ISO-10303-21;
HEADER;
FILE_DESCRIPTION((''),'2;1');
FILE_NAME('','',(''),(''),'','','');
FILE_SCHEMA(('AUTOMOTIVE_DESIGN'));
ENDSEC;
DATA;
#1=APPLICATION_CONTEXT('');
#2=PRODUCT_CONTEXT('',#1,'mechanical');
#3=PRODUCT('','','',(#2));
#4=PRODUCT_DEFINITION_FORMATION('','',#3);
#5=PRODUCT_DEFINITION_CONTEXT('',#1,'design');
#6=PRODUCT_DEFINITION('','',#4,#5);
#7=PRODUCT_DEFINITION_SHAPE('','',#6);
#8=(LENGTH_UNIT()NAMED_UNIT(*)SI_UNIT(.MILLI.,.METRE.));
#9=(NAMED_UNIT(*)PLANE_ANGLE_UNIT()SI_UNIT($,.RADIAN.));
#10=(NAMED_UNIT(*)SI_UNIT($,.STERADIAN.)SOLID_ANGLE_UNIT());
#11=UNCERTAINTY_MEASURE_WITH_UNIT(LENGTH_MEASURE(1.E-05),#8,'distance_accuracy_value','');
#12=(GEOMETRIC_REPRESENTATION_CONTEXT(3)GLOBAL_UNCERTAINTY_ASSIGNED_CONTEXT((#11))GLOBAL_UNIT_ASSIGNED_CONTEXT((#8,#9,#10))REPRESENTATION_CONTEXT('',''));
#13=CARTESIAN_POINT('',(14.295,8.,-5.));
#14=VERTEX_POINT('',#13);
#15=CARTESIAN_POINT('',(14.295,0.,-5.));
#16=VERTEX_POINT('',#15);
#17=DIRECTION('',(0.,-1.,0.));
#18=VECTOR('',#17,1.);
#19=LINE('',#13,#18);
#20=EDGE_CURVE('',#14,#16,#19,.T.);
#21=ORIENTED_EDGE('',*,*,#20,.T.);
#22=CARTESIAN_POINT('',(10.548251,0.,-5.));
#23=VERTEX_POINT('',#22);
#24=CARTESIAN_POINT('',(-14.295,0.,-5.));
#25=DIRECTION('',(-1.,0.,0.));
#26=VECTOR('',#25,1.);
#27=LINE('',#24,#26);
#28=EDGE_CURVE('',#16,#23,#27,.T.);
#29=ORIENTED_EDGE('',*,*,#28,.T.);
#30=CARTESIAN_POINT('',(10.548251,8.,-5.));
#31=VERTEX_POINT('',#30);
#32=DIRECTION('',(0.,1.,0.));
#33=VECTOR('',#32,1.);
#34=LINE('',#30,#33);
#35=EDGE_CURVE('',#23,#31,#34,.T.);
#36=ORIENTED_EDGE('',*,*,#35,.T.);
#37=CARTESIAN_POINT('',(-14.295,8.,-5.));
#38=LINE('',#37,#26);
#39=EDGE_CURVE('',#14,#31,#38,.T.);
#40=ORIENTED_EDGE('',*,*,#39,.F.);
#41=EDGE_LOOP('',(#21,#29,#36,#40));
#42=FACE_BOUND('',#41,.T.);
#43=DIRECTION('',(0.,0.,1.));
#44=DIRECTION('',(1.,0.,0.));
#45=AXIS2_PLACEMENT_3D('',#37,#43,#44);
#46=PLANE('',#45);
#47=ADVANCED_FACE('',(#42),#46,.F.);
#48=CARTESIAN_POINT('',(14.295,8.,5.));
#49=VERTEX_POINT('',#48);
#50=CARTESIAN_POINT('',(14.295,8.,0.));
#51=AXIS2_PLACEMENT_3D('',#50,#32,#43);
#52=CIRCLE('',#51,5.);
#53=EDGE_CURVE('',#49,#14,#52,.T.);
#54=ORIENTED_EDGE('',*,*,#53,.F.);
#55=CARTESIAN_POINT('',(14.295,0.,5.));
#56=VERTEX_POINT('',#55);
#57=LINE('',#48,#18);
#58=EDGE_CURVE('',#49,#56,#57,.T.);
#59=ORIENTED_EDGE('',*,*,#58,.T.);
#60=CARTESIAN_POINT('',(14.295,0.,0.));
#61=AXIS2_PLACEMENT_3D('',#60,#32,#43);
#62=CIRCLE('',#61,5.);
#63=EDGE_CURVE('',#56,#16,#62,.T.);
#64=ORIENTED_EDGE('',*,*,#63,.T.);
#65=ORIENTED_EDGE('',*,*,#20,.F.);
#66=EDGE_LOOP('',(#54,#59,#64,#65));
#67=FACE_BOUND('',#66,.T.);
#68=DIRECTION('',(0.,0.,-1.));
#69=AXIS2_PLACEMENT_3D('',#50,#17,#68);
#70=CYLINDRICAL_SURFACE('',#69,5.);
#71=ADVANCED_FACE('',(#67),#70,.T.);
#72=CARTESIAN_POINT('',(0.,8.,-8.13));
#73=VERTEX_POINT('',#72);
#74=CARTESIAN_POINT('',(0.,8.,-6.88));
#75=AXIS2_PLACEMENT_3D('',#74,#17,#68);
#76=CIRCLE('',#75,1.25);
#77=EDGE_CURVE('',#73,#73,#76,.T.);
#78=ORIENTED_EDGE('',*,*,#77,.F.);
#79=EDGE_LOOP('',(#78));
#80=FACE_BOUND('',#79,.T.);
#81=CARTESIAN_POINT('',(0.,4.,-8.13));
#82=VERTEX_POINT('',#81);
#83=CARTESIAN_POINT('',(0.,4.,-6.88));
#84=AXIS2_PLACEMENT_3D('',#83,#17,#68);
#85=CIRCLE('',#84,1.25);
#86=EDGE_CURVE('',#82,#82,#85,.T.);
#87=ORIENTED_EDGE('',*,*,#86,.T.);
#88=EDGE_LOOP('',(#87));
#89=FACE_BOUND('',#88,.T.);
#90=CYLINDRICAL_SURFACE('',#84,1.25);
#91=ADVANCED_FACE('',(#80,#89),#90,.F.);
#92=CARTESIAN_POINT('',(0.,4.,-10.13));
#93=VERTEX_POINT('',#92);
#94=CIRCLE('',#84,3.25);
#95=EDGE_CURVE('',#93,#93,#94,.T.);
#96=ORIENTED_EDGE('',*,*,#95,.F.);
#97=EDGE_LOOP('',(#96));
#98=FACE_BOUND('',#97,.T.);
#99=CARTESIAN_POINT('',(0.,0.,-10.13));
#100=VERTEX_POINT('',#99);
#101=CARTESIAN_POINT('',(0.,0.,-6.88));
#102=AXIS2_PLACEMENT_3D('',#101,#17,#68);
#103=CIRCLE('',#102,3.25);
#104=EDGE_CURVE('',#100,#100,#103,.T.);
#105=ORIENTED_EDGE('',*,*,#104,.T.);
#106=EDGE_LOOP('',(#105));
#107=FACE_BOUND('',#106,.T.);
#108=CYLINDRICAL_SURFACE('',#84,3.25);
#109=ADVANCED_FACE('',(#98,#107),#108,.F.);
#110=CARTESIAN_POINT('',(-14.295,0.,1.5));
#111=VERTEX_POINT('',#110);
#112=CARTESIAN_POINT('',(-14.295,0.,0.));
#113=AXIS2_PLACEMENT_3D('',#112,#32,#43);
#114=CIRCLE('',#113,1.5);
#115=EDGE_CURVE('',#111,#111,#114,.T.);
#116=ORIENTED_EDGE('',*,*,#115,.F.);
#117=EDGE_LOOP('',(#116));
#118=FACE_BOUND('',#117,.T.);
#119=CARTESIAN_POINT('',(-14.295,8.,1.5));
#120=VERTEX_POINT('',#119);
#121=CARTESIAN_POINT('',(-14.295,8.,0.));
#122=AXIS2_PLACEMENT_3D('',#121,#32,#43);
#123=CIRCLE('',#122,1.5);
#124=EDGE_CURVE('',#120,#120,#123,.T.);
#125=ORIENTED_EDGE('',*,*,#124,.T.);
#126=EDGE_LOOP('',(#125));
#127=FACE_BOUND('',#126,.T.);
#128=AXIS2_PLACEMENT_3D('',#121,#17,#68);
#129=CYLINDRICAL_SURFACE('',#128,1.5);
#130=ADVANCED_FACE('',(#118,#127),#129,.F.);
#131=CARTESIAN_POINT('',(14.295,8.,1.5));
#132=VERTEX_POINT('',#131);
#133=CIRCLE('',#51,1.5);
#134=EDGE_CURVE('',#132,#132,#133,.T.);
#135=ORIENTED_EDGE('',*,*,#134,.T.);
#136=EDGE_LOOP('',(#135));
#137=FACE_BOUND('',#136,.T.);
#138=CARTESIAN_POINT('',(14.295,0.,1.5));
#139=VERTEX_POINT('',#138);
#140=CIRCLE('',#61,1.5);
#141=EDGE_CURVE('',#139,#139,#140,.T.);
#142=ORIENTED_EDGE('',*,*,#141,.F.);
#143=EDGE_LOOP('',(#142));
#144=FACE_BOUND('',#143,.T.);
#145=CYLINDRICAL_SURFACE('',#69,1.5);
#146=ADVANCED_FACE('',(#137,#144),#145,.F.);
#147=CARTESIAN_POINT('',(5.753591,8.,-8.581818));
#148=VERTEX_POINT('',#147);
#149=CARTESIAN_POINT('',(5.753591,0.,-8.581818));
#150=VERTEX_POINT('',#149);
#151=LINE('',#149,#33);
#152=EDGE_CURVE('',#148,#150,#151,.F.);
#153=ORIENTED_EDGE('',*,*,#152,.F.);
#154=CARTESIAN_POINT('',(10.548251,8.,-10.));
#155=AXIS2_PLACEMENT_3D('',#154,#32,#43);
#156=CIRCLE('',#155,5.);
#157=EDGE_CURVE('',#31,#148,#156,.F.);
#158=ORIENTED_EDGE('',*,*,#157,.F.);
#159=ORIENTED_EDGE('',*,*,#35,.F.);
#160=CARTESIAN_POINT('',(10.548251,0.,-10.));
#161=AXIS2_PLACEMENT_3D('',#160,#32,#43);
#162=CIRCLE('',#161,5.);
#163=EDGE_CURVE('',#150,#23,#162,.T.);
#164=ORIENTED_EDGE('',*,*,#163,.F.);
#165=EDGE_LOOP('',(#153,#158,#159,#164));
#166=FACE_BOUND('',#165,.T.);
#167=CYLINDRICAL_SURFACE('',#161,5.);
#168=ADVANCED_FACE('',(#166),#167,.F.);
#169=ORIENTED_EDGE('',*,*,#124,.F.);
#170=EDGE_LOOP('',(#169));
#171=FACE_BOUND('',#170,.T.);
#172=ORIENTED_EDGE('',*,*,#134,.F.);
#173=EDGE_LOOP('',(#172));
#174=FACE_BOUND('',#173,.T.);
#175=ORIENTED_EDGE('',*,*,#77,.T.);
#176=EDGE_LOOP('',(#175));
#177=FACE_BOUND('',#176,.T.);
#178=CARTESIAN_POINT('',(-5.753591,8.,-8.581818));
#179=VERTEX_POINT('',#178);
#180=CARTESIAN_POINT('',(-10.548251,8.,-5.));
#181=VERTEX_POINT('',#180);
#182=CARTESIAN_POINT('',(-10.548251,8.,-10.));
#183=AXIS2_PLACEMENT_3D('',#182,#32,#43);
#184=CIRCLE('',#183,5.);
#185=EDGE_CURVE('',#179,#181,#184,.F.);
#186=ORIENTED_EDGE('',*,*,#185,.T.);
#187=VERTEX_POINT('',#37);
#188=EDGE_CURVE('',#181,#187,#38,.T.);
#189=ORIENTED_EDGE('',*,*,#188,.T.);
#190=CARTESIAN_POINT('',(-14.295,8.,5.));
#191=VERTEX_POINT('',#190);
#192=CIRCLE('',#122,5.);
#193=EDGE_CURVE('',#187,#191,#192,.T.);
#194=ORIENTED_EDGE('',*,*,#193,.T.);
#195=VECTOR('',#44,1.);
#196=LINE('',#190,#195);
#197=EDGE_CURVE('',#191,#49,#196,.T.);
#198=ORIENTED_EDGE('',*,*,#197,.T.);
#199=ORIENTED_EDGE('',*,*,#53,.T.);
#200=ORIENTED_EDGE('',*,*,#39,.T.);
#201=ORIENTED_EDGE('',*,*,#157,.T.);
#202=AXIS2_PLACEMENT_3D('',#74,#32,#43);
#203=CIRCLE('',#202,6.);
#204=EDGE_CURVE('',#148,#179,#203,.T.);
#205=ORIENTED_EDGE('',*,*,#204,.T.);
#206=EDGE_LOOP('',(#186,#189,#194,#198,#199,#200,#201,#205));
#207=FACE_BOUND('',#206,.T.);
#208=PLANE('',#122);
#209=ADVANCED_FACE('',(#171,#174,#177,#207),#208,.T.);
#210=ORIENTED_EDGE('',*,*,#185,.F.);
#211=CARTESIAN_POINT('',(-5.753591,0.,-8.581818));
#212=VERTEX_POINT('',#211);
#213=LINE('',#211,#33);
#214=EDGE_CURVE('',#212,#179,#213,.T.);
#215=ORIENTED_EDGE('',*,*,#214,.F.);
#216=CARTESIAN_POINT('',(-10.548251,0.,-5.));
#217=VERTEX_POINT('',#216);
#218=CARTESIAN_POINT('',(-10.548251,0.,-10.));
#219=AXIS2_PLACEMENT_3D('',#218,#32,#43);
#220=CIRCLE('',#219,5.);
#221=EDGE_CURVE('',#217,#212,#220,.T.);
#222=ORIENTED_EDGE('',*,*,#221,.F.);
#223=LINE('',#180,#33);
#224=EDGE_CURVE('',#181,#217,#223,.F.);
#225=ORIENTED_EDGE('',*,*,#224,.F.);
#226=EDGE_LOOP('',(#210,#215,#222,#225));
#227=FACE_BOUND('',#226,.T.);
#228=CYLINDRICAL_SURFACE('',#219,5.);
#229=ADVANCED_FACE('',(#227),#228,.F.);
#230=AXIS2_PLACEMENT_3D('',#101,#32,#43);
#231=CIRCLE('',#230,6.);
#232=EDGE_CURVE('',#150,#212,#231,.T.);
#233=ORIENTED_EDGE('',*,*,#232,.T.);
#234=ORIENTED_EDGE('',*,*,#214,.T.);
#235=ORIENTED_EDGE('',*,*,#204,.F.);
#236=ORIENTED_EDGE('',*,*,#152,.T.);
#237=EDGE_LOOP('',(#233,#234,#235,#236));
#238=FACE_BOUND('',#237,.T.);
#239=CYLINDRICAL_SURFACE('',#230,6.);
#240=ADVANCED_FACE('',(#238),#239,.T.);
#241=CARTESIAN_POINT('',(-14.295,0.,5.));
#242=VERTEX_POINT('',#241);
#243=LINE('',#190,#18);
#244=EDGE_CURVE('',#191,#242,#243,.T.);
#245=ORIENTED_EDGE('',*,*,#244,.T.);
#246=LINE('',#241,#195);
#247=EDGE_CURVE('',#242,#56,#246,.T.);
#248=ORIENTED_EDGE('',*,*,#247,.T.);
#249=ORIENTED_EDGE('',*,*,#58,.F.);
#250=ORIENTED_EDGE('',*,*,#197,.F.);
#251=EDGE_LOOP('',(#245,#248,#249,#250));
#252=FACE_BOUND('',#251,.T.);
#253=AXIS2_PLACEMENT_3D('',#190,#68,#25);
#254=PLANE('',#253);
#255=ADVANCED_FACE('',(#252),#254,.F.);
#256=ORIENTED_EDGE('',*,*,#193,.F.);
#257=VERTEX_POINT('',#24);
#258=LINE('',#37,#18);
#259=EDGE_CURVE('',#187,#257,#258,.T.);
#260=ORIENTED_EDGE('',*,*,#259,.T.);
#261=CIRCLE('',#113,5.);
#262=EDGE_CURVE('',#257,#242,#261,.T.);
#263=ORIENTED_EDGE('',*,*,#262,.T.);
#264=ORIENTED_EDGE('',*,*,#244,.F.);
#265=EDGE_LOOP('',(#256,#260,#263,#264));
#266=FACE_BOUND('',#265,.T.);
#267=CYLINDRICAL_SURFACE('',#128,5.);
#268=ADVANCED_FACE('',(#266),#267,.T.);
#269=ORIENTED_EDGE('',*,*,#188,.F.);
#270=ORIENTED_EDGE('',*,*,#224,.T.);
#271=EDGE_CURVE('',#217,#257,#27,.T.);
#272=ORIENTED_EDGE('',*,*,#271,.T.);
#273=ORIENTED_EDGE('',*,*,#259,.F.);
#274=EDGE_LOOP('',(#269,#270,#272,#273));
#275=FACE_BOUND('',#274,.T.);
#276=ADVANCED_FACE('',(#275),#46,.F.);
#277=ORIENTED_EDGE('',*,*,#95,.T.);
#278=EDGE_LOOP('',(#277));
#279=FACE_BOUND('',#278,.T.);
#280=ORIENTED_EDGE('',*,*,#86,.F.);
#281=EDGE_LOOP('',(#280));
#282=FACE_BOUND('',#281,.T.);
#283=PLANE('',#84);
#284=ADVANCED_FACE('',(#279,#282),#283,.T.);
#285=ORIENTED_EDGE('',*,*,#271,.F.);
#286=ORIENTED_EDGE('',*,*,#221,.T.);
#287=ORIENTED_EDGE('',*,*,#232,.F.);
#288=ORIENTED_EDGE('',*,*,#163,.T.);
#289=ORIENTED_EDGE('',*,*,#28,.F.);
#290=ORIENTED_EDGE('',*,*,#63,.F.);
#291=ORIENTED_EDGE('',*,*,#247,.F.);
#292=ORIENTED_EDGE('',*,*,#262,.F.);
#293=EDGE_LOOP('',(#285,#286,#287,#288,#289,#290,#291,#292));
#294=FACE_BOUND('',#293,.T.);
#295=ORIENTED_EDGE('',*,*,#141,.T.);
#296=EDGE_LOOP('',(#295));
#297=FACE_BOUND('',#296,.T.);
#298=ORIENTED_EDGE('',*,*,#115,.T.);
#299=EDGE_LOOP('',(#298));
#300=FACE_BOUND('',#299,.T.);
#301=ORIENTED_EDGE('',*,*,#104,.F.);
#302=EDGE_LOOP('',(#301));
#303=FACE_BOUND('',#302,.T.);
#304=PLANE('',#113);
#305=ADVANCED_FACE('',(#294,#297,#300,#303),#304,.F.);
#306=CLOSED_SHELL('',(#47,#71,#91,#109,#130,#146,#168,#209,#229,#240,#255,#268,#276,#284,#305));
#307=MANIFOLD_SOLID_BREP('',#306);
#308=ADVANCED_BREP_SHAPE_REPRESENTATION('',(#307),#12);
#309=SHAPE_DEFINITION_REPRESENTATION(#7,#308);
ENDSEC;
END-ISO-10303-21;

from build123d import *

# Parameters (mm, degrees)
SKETCH_1_R          = 1.5
EXTRUDE_1_DEPTH     = 8
EXTRUDE_2_DEPTH     = 8
SKETCH_3_R          = 3.25
CUT_EXTRUDE_1_DEPTH = 4
FILLET_1_R          = 5
HOLE_WIZARD_M3_1_D  = 2.5


with BuildPart() as part:
    # 草图1 → 凸台-拉伸1 (new body)
    with BuildSketch(Plane(origin=(0, 0, 0), x_dir=(1, 0, 0), z_dir=(0, 1, 0))):
        with BuildLine():
            Line((-14.295, 5), (14.295, 5))
            ThreePointArc((14.295, 5), (19.295, 0), (14.295, -5))
            Line((14.295, -5), (-14.295, -5))
            ThreePointArc((-14.295, -5), (-19.295, 0), (-14.295, 5))
        make_face()
        with Locations(Location((-14.295, 0, 0), (0, 0, 270))):
            Circle(SKETCH_1_R, mode=Mode.SUBTRACT)
        with Locations(Location((14.295, 0, 0), (0, 0, 270))):
            Circle(SKETCH_1_R, mode=Mode.SUBTRACT)
    extrude(amount=EXTRUDE_1_DEPTH)

    # 草图2 → 凸台-拉伸2 (add)
    with BuildSketch(Plane(origin=(0, 8, 0), x_dir=(1, 0, 0), z_dir=(0, 1, 0))):
        with BuildLine():
            Line((-6, 6.88), (-6, 5))
            Line((-6, 5), (6, 5))
            Line((6, 5), (6, 6.88))
            ThreePointArc((6, 6.88), (0, 12.88), (-6, 6.88))
        make_face()
    extrude(amount=-EXTRUDE_2_DEPTH)

    # 草图3 → 切除-拉伸1 (cut)
    with BuildSketch(Plane.XZ):
        with Locations(Location((0, -6.88, 0), (0, 0, 270))):
            Circle(SKETCH_3_R)
    extrude(amount=-CUT_EXTRUDE_1_DEPTH, mode=Mode.SUBTRACT)

    # 圆角1
    fillet_1_edges = [part.edges().sort_by_distance(p)[0] for p in [
        (-6, 4, -5),
        (6, 4, -5),
    ]]
    fillet(fillet_1_edges, radius=FILLET_1_R)

    # M3 螺纹孔1 (through all)
    with Locations(Plane(origin=(0, 4, -6.88), x_dir=(0, 0, -1), z_dir=(0, -1, 0))):
        with Locations((0, 0)):
            Hole(HOLE_WIZARD_M3_1_D / 2)


solid = part.part
